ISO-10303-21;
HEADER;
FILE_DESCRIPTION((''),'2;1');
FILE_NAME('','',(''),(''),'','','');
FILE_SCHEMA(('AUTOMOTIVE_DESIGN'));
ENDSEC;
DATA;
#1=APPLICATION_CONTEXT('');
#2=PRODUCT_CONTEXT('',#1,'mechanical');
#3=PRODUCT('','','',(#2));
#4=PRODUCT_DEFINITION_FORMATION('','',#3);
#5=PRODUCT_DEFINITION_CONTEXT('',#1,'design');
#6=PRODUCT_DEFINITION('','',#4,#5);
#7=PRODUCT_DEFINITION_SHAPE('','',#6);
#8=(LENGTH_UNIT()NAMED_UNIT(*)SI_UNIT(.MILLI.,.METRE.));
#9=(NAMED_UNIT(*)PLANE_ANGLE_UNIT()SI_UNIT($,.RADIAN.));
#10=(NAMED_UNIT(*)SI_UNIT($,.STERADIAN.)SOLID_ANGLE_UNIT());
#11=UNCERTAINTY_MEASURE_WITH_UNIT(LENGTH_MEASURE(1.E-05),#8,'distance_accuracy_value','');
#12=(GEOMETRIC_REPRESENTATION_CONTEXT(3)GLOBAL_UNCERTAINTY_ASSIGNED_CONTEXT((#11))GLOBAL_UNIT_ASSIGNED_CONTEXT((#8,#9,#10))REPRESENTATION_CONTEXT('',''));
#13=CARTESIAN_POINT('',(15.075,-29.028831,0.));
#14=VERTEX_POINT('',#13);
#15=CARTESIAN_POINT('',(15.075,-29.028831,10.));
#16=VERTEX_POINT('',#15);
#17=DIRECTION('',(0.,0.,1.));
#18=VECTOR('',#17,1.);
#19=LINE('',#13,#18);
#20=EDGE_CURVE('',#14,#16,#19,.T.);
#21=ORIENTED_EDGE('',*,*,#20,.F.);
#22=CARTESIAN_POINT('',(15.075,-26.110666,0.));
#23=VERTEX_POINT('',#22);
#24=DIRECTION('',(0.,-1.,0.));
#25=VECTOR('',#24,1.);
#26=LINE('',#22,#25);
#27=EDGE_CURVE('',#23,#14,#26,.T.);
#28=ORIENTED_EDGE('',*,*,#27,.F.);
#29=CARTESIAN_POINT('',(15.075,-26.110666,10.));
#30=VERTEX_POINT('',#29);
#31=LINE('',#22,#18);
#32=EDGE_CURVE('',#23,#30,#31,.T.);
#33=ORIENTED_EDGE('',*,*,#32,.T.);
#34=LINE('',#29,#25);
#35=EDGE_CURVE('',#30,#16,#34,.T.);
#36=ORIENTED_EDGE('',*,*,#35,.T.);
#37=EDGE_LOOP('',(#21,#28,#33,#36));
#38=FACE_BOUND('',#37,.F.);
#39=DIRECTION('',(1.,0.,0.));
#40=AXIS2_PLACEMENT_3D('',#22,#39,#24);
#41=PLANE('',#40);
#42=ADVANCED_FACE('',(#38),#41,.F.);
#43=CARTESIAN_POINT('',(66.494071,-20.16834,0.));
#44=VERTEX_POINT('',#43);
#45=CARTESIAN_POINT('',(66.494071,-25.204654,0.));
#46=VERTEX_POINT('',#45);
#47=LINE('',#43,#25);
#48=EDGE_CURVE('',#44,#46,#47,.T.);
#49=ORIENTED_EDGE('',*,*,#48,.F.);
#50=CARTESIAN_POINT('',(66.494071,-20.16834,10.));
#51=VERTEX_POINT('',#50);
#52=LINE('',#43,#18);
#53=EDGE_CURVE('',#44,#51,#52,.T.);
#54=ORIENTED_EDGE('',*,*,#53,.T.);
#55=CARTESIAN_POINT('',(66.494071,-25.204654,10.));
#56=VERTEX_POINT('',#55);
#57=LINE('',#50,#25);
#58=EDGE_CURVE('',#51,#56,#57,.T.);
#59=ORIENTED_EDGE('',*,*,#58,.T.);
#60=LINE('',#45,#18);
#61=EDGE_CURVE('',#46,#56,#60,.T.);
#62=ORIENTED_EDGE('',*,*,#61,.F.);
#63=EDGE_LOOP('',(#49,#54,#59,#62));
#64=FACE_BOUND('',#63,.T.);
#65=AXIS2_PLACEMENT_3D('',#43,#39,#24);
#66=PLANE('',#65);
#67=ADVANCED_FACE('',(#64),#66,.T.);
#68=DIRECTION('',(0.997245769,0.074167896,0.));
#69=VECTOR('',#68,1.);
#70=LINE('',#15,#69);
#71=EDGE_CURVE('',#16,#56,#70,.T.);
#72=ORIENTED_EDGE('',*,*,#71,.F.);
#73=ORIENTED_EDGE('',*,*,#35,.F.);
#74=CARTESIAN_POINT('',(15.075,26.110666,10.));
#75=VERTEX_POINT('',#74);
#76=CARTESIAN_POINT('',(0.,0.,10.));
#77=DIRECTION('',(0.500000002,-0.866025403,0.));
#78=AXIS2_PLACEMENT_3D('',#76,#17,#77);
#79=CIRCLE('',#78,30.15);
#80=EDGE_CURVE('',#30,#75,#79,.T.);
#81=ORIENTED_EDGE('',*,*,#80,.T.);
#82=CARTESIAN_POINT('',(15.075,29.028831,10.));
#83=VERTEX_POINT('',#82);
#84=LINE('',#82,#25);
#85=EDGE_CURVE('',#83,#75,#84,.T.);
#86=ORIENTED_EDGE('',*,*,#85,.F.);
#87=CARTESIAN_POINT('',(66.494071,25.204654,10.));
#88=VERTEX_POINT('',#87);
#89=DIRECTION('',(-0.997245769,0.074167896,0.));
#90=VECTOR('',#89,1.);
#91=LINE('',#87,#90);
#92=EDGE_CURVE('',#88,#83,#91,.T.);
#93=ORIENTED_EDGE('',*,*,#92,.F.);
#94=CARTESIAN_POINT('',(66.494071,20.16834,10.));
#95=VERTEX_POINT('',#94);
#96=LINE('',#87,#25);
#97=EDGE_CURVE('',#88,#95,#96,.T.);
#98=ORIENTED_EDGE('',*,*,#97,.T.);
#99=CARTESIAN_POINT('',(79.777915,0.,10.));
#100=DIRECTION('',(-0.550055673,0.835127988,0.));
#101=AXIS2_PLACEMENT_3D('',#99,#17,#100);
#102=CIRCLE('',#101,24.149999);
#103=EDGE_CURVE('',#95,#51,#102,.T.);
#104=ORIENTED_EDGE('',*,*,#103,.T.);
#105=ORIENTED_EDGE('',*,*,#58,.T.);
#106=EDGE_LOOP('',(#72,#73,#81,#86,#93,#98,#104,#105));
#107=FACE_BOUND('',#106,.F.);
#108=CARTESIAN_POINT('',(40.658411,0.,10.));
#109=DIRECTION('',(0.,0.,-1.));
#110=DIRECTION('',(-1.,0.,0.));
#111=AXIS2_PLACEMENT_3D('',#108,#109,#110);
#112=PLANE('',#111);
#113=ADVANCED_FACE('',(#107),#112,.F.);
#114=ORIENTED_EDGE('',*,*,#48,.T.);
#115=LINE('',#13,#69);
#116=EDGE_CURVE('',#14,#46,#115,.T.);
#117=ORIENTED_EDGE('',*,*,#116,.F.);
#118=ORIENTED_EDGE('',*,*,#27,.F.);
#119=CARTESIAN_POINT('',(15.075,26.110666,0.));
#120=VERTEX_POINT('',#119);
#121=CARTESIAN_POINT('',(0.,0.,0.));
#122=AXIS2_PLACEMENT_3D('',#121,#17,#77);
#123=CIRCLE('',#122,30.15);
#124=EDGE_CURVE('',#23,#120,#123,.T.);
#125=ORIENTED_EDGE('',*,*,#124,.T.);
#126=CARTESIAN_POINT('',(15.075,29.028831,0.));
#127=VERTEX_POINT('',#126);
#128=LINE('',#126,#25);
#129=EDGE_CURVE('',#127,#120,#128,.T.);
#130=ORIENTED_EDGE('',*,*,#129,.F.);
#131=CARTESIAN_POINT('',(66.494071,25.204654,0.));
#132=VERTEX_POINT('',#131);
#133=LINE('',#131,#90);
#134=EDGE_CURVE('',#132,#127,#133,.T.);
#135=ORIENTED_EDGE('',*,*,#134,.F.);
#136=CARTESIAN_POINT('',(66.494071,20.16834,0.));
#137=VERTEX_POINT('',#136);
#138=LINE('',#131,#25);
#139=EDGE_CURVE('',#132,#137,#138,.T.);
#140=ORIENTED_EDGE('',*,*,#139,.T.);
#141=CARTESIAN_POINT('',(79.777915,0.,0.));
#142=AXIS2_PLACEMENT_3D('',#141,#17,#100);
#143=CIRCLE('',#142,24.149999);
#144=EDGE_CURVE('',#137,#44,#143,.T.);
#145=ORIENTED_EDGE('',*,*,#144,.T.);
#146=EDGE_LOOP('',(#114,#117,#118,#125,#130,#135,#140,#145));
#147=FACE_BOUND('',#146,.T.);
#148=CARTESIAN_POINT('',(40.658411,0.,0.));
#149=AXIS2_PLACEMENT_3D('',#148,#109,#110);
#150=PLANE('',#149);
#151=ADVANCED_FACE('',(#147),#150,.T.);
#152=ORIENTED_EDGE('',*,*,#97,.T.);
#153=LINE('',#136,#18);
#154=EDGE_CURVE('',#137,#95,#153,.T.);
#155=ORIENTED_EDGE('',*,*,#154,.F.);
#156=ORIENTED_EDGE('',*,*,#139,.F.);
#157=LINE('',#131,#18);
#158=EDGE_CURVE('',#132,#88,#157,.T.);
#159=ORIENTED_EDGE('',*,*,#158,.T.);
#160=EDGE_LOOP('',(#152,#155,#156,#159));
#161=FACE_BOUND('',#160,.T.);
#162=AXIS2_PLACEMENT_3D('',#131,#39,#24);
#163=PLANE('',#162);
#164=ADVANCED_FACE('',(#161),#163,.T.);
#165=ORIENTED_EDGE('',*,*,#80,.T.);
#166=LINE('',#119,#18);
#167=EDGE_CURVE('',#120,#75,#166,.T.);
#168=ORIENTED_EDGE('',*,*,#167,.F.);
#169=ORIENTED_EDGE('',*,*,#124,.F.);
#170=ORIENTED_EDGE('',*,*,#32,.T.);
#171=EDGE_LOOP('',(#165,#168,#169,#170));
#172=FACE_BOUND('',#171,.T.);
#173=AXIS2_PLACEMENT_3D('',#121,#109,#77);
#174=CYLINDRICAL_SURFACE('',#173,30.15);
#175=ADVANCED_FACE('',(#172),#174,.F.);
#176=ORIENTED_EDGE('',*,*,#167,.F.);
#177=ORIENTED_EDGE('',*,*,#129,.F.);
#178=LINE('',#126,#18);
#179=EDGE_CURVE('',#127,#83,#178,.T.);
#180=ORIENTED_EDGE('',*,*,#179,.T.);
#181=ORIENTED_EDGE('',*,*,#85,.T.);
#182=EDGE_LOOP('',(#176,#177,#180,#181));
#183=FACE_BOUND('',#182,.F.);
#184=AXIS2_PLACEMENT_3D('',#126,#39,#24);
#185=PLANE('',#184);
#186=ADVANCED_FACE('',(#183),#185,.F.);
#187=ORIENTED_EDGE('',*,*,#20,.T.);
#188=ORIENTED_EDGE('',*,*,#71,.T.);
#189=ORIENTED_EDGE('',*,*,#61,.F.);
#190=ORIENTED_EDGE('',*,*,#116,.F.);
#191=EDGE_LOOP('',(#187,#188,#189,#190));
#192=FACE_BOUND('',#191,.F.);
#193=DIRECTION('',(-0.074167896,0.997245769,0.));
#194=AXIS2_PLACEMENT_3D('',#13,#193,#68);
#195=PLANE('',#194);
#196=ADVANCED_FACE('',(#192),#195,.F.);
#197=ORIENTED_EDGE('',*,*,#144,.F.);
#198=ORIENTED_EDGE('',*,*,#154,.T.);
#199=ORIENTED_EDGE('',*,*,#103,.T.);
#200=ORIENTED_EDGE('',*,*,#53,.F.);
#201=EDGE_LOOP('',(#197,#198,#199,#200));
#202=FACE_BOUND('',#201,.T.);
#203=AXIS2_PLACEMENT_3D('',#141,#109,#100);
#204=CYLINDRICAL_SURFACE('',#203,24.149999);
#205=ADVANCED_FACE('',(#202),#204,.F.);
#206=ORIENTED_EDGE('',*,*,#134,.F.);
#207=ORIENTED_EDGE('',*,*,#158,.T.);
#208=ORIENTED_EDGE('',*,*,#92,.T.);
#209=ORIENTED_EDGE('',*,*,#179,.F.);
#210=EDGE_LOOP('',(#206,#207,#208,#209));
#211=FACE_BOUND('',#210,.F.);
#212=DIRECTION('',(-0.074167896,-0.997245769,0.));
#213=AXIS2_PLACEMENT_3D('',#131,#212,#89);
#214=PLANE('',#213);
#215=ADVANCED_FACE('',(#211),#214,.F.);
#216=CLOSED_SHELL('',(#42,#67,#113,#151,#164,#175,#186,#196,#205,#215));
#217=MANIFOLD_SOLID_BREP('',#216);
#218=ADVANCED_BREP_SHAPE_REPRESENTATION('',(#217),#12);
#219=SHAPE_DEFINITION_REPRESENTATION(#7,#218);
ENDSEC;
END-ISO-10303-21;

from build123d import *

# Parameters (mm, degrees)
PAD_DEPTH = 10


with BuildPart() as part:
    # Sketch → Pad (new body)
    with BuildSketch(Plane.XY):
        with BuildLine():
            ThreePointArc((15.075, -26.110666), (30.15, 0), (15.075, 26.110666))
            Line((15.075, 29.028831), (15.075, 26.110666))
            Line((66.494071, 25.204654), (15.075, 29.028831))
            Line((66.494071, 25.204654), (66.494071, 20.16834))
            ThreePointArc((66.494071, 20.16834), (55.627916, 0), (66.494071, -20.16834))
            Line((66.494071, -20.16834), (66.494071, -25.204654))
            Line((15.075, -29.028831), (66.494071, -25.204654))
            Line((15.075, -26.110666), (15.075, -29.028831))
        make_face()
    extrude(amount=PAD_DEPTH)


solid = part.part
